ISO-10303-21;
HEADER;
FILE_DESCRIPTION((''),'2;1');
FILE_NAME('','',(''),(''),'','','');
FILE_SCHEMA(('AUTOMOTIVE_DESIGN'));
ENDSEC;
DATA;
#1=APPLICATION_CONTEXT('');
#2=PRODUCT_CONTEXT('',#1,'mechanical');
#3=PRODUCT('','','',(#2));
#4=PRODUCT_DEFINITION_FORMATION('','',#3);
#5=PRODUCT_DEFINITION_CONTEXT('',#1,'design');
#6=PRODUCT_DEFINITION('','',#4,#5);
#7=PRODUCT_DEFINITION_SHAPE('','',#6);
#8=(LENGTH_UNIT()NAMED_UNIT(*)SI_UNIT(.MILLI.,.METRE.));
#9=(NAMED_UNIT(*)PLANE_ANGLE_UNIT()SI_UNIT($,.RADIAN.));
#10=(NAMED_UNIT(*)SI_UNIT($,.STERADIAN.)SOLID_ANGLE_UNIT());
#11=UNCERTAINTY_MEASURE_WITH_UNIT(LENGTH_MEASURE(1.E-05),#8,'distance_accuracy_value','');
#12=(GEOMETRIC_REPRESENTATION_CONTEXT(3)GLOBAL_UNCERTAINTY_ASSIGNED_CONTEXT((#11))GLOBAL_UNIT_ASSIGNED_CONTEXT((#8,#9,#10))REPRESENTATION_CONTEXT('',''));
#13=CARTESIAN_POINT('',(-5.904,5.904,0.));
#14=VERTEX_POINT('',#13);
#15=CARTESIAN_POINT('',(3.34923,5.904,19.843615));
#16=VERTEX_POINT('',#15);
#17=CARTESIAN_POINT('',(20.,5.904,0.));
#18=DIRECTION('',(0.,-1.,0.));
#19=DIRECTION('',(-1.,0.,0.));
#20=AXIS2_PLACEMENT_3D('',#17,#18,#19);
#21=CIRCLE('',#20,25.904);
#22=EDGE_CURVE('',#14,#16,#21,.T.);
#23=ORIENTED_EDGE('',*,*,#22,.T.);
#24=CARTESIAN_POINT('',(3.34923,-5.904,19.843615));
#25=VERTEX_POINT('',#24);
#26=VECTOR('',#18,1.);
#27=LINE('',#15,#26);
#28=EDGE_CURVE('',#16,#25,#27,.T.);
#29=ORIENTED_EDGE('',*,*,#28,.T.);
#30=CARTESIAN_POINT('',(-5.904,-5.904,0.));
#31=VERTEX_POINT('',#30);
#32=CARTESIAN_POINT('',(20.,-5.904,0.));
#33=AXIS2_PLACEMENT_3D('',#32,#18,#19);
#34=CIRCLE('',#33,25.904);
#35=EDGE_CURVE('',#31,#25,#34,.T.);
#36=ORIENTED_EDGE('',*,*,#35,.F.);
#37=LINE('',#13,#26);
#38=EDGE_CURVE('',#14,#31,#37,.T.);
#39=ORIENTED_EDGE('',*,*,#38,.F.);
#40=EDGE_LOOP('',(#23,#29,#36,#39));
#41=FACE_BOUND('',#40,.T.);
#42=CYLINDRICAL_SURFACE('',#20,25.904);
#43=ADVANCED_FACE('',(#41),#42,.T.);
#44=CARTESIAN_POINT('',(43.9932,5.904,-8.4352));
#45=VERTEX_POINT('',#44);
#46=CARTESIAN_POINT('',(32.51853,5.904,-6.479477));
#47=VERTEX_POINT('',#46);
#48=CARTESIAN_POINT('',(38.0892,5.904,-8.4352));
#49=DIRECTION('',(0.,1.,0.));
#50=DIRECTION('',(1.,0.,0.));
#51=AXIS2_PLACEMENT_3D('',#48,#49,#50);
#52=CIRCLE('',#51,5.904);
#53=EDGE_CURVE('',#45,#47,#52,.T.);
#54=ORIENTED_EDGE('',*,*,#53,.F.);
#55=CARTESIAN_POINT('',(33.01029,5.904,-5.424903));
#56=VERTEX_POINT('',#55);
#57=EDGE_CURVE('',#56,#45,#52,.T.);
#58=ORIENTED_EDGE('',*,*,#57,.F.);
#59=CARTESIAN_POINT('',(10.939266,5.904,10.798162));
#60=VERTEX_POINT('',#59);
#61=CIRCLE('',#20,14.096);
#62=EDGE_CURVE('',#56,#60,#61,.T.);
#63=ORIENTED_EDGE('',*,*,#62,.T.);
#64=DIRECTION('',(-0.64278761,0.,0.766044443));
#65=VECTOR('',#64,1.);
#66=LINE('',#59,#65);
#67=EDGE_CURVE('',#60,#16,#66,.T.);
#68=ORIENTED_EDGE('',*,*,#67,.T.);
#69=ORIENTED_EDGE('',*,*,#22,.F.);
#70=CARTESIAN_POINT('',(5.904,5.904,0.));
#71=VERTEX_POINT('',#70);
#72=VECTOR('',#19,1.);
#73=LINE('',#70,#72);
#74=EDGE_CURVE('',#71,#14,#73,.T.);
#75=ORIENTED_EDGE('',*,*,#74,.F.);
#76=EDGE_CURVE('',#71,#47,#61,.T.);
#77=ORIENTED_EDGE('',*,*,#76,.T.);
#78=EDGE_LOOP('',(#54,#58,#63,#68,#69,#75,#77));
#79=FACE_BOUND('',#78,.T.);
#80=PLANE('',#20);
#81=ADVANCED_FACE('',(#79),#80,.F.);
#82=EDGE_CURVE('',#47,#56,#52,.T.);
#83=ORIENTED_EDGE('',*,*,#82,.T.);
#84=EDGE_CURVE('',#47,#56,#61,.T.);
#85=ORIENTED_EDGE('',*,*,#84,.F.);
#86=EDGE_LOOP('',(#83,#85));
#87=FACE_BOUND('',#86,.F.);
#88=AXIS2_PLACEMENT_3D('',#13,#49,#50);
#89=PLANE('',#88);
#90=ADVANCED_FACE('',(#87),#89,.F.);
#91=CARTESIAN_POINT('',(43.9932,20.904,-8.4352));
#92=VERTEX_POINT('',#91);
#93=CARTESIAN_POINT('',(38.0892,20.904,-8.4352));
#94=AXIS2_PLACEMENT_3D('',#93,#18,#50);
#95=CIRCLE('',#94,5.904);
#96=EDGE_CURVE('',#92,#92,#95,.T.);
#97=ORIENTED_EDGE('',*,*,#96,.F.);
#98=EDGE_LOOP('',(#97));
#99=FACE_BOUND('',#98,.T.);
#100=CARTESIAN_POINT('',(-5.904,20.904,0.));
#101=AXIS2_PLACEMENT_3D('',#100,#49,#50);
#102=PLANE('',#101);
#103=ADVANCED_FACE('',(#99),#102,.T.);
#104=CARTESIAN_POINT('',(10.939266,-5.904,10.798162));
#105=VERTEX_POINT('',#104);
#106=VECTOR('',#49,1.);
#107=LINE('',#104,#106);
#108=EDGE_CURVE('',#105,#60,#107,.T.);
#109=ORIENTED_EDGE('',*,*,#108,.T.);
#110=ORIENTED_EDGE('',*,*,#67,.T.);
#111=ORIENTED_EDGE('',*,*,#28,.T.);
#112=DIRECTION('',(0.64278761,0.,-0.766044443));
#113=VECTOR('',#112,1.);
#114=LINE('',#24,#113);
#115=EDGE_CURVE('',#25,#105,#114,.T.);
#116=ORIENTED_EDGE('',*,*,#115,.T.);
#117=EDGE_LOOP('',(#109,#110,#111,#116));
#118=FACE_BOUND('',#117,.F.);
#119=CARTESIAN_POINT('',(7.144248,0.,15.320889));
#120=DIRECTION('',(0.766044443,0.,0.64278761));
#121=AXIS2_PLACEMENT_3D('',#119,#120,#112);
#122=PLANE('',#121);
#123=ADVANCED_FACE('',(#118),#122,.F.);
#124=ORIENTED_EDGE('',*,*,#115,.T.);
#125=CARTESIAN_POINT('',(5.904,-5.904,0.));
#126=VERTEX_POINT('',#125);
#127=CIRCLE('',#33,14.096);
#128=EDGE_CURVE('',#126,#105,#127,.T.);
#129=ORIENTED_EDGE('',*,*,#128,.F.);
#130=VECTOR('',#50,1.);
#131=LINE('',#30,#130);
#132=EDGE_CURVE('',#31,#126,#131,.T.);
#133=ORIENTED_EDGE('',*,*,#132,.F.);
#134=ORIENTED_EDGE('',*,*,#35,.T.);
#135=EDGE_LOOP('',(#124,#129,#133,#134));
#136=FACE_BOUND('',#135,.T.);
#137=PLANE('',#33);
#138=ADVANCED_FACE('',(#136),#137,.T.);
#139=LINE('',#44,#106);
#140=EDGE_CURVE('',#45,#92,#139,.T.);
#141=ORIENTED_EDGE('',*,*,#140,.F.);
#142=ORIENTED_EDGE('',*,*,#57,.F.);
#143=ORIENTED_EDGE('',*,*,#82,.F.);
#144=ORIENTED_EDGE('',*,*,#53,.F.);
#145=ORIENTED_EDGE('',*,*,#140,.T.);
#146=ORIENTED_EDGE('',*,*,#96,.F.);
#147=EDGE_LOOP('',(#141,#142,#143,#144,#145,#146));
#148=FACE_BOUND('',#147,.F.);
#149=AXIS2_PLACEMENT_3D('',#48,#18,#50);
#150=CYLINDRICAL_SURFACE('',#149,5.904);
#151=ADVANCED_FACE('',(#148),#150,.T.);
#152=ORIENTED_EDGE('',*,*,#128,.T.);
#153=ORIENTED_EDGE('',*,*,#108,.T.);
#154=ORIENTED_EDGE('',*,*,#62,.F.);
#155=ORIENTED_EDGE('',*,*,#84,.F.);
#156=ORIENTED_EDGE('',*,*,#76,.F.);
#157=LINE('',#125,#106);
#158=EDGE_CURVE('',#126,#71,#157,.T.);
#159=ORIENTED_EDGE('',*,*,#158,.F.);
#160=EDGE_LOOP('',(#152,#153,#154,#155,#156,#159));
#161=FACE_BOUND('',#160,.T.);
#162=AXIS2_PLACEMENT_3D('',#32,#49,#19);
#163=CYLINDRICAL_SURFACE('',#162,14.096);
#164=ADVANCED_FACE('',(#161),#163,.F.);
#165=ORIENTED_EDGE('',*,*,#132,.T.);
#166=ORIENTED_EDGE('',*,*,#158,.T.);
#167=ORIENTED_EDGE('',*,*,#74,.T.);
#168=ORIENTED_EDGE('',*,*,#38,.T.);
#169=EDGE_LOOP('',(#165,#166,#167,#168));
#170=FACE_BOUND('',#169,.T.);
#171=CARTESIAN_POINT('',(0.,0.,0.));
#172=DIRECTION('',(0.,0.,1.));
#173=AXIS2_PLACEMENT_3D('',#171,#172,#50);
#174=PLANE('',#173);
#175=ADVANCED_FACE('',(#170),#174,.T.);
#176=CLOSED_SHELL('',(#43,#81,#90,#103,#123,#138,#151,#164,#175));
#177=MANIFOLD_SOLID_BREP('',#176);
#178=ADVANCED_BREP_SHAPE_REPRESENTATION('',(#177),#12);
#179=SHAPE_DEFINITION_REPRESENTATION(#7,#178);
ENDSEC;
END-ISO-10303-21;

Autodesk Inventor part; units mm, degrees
ref_plane "YZ Plane" through (0, 0, 0) normal (1, 0, 0) x (0, 1, 0)
ref_plane "XZ Plane" through (0, 0, 0) normal (0, 1, 0) x (-1, 0, 0)
ref_plane "XY Plane" through (0, 0, 0) normal (0, 0, 1) x (1, 0, 0)
sketch "Sketch1" plane through (0, 0, 0) normal (0, 0, 1) x (1, 0, 0)
  line L0 (20, 10.9474) -> (20, -17.8312)
  line L1 (-6.604, 6.604) -> (-6.604, -6.604) projected
  line L2 (-6.604, -6.604) -> (6.604, -6.604) projected
  line L3 (6.604, 6.604) -> (-6.604, 6.604) projected
  line L4 (6.604, -6.604) -> (6.604, 6.604) projected
  line L5 (-5.904, -5.904) -> (5.904, -5.904)
  line L6 (5.904, -5.904) -> (5.904, 5.904)
  line L7 (5.904, 5.904) -> (-5.904, 5.904)
  line L8 (-5.904, 5.904) -> (-5.904, -5.904)
  point P0 (0, 0)
  dimension "d2" = 20
  dimension "d8" = 0.7
  dimension "d9" = 0.7
  dimension "d10" = 0.7
  dimension "d11" = 0.7
revolve "Revolution1" add sketch "Sketch1" angle 310 about axis through (20, 10.9474, 0) along (0, -1, 0) contours L8 L7 L6 L5
ref_plane "Work Plane1" through (0, 6.604, 2.5) normal (0, 1, 0) x (0, 0, 1)
sketch "Sketch4" plane through (-5.904, 5.904, 0) normal (0, 1, 0) x (1, 0, 0)
  line L0 (0, 0) -> (11.808, 0) projected
  line L1 (0, 0) -> (51.808, 0) construction
  arc A0 (9.2532, -19.8436) -> (0, 0) centre (25.904, 0) ccw projected
  line L2 (9.2532, -19.8436) -> (42.5548, 19.8436) construction
  line L3 (9.2532, -19.8436) -> (16.8433, -10.7982) construction
  line L4 (11.808, 0) -> (0, 0) construction
  circle A1 centre (43.9932, 8.4352) radius 5.904
  line L5 (43.9932, 8.4352) -> (42.5548, 19.8436)
  line L6 (43.9932, 8.4352) -> (51.808, 0)
  point P0 (5.904, 0)
  dimension "d15" = 11.808
  dimension "d16" = 8.4352
extrude "Extrusion3" add sketch "Sketch4" along normal blind 15 contours L6 L5 A1 | A1 L5 L6
equation "\"d9\" = d8"
equation "\"d10\" = d8"
equation "\"d11\" = d8"
properties part number "wash_ring"
